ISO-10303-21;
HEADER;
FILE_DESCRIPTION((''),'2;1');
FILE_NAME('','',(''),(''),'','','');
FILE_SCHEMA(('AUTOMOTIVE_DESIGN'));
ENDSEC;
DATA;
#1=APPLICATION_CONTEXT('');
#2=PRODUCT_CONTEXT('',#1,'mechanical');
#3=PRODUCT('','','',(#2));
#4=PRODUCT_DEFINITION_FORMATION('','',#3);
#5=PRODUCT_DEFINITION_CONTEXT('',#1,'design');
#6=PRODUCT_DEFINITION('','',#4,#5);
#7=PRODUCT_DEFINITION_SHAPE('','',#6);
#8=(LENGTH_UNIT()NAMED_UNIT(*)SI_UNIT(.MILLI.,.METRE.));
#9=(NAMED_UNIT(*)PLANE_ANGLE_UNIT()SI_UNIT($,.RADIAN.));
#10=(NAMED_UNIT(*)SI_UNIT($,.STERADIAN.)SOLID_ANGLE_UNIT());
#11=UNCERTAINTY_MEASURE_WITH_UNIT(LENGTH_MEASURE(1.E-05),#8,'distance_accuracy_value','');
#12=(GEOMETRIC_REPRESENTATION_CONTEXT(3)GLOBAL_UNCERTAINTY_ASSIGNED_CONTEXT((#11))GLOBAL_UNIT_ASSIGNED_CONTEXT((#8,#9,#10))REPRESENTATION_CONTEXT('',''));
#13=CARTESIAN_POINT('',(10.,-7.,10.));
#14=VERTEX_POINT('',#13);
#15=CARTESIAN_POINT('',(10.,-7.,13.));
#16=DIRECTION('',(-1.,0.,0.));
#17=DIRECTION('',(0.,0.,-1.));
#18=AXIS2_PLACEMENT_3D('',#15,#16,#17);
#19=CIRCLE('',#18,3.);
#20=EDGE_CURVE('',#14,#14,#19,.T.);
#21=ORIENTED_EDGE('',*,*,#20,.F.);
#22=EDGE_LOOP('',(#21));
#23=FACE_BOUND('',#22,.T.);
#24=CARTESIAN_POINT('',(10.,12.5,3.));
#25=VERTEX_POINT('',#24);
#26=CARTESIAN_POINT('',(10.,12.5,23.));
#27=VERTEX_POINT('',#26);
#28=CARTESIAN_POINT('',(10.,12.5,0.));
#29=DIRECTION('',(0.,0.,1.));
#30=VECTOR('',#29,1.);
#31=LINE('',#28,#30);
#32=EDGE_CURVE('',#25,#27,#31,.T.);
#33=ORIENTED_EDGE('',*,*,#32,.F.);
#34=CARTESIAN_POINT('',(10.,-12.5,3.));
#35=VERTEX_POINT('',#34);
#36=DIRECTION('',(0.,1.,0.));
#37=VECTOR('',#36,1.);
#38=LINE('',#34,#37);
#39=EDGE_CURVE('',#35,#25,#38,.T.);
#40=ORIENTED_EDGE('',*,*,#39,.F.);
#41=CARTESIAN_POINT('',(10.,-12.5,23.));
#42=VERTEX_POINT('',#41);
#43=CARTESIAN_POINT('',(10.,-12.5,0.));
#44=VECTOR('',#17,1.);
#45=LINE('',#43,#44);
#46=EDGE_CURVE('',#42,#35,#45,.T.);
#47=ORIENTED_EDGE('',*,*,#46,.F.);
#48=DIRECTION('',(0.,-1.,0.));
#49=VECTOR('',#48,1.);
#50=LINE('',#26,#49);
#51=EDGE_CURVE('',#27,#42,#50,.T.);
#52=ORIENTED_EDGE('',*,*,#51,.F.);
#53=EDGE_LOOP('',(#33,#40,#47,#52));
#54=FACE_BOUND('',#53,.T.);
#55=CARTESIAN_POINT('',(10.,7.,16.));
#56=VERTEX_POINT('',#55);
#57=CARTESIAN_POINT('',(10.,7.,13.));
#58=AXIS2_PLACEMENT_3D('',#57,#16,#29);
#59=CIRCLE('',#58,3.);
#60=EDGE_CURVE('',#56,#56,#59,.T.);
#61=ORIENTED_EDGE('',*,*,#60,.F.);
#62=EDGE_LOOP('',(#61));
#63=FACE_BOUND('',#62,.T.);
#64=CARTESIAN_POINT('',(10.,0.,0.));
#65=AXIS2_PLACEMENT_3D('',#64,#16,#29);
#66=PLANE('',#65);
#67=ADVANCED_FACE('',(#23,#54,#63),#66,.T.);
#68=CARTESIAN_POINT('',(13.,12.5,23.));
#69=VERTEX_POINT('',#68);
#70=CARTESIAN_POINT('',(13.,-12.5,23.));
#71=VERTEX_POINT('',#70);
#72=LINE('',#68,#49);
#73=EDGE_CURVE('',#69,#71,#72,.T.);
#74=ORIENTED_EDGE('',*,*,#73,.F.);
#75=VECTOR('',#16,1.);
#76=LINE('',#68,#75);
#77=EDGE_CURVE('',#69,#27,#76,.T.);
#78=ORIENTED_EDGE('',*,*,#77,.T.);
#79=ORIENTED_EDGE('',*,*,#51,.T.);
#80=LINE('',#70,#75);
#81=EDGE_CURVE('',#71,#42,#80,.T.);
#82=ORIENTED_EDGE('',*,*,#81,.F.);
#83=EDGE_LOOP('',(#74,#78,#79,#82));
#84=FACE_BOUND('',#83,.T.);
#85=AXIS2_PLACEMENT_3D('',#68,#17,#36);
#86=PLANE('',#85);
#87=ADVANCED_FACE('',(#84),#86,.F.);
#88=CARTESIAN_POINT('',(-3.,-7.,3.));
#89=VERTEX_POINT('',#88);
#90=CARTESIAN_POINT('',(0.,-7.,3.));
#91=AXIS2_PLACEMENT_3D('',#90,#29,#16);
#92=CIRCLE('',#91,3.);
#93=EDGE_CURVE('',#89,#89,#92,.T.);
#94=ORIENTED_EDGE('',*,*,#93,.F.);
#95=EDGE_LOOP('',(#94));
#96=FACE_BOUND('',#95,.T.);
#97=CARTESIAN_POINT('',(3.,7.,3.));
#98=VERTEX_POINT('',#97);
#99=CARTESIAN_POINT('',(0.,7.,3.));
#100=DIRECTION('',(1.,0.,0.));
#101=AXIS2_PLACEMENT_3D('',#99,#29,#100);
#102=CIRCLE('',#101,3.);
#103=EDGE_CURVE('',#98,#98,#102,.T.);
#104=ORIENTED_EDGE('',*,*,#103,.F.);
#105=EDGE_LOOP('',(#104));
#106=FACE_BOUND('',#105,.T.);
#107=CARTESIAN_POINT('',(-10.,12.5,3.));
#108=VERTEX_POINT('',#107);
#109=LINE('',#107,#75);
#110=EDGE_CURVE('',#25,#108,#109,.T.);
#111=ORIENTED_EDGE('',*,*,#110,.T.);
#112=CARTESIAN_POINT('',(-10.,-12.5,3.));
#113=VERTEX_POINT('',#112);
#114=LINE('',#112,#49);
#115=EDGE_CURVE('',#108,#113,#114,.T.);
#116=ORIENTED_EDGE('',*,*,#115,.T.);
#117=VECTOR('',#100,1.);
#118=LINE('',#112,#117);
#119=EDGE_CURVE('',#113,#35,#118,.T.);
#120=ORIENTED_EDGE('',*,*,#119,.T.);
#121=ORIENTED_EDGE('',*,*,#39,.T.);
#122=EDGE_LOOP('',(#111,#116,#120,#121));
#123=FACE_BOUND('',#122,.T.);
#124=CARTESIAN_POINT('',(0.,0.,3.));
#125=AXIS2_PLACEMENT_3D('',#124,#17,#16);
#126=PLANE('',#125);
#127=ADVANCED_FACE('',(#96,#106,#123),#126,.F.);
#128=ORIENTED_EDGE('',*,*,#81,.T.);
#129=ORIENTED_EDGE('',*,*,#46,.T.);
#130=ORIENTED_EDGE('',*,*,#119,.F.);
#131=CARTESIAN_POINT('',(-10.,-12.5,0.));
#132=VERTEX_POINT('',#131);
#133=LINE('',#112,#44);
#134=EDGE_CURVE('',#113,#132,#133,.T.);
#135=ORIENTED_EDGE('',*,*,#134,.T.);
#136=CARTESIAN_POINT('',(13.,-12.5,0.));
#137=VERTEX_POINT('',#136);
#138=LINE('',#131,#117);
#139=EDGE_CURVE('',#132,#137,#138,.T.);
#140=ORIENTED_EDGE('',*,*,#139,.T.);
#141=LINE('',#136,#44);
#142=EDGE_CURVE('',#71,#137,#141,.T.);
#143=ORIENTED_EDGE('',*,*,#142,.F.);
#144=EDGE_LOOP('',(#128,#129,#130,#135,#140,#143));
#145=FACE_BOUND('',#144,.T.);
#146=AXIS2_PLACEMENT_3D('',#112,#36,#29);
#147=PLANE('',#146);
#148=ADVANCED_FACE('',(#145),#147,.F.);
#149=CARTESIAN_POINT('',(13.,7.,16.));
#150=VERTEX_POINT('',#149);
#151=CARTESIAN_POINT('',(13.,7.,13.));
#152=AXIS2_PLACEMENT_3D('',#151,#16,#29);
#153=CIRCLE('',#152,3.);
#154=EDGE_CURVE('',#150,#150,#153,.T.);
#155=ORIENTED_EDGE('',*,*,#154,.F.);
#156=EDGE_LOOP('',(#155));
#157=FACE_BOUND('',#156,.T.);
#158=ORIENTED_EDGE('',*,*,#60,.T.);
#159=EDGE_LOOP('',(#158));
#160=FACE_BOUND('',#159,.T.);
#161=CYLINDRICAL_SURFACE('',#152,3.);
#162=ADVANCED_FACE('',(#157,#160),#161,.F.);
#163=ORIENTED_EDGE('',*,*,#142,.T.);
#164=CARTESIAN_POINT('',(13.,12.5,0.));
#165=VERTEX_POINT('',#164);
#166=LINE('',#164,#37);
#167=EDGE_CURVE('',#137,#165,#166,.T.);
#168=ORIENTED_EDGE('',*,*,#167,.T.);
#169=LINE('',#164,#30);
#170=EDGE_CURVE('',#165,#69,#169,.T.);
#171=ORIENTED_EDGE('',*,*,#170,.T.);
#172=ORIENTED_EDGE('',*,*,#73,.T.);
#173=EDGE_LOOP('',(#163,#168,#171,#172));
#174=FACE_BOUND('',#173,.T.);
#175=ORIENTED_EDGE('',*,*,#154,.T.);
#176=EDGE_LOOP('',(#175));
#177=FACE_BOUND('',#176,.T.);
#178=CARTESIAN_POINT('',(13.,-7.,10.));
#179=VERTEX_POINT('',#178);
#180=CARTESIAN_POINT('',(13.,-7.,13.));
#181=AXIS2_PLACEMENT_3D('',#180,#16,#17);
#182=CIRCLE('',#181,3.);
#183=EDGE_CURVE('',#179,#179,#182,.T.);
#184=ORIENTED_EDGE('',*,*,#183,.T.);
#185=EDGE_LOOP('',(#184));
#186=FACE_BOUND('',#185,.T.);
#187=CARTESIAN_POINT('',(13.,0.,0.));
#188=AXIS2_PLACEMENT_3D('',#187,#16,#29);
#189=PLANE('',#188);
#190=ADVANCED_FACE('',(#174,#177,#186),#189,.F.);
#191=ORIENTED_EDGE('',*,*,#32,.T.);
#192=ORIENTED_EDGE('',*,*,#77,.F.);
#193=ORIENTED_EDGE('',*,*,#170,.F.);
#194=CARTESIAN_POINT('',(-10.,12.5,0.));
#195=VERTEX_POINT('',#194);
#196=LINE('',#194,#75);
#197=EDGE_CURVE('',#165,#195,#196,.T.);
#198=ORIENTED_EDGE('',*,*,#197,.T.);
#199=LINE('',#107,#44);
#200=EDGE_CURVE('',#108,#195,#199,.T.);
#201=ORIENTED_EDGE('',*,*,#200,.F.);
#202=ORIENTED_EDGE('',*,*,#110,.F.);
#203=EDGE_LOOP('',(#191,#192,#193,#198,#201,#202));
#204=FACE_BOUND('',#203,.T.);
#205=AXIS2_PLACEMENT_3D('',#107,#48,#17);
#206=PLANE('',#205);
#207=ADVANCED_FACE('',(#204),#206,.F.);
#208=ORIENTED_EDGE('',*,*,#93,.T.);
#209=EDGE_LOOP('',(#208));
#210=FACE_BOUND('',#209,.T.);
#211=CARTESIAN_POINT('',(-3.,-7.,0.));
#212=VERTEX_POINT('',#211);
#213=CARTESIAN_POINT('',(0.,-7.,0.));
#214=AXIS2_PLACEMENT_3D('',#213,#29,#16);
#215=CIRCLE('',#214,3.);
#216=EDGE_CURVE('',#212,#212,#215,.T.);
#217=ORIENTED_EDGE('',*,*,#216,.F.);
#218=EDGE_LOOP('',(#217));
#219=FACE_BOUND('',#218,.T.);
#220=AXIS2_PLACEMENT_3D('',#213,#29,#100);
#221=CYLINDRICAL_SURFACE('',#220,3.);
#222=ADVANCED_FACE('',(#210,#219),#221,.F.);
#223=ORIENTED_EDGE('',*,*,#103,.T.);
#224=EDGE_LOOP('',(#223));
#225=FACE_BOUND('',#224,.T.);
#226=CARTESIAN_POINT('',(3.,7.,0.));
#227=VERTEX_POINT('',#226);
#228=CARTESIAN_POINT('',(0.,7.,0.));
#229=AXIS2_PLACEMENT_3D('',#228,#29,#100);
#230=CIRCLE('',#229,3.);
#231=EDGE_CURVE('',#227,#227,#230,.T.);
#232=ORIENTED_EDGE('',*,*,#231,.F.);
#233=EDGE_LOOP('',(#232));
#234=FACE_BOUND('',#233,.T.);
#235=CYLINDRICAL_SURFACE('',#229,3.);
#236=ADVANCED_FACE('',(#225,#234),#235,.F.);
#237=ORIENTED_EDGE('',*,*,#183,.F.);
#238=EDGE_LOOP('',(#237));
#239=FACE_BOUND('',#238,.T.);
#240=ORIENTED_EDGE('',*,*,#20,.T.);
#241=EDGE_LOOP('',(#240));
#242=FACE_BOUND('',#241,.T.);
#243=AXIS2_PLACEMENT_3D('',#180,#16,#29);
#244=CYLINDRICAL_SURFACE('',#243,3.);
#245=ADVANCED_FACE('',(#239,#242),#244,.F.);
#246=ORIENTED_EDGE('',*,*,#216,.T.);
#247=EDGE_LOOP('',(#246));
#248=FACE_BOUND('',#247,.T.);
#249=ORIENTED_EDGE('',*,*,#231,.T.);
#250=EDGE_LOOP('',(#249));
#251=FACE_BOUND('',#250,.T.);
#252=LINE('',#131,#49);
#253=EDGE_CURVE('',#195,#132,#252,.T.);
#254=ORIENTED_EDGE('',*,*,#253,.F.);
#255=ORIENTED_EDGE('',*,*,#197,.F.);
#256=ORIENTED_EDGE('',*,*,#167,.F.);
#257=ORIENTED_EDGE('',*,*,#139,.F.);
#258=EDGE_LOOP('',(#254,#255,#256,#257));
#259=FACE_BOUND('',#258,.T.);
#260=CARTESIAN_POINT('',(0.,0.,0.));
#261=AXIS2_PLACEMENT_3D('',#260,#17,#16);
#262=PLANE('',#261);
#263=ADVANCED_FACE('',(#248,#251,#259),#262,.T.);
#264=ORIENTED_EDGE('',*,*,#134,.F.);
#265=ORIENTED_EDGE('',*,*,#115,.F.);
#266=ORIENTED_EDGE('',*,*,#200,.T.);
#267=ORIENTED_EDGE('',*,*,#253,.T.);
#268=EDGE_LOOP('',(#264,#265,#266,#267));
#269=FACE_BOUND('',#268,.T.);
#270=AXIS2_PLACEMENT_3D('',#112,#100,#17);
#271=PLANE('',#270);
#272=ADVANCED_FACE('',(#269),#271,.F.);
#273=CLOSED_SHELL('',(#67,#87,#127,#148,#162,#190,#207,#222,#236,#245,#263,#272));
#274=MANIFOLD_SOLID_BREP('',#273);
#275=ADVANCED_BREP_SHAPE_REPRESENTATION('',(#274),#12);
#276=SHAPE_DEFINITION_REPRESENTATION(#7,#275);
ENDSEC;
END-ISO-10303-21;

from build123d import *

# Parameters (mm, degrees)
SKETCH1_W           = 20
SKETCH1_H           = 25
BOSS_EXTRUDE1_DEPTH = 3
SKETCH3_W           = 23
SKETCH3_H           = 25
BOSS_EXTRUDE2_DEPTH = 3
SKETCH4_R           = 3
CUT_EXTRUDE1_DEPTH  = 27.930466019
SKETCH5_R           = 3
CUT_EXTRUDE2_DEPTH  = 33.94313282


with BuildPart() as part:
    # Sketch1 → Boss-Extrude1 (new body)
    with BuildSketch(Plane.XY):
        Rectangle(SKETCH1_W, SKETCH1_H)
    extrude(amount=BOSS_EXTRUDE1_DEPTH)

    # Sketch3 → Boss-Extrude2 (add)
    with BuildSketch(Plane(origin=(10, 0, 0), x_dir=(0, 0, -1), z_dir=(1, 0, 0))):
        with Locations((-11.5, 0)):
            Rectangle(SKETCH3_W, SKETCH3_H)
    extrude(amount=BOSS_EXTRUDE2_DEPTH)

    # Sketch4 → Cut-Extrude1 (cut, through all)
    with BuildSketch(Plane.XY.offset(3)):
        with Locations((0, 7)):
            Circle(SKETCH4_R)
        with Locations(Location((0, -7, 0), (0, 0, 180))):
            Circle(SKETCH4_R)
    extrude(amount=-CUT_EXTRUDE1_DEPTH, mode=Mode.SUBTRACT)

    # Sketch5 → Cut-Extrude2 (cut, through all)
    with BuildSketch(Plane.ZY.offset(-10)):
        with Locations((13, 7)):
            Circle(SKETCH5_R)
        with Locations(Location((13, -7, 0), (0, 0, 180))):
            Circle(SKETCH5_R)
    extrude(amount=-CUT_EXTRUDE2_DEPTH, mode=Mode.SUBTRACT)


solid = part.part
